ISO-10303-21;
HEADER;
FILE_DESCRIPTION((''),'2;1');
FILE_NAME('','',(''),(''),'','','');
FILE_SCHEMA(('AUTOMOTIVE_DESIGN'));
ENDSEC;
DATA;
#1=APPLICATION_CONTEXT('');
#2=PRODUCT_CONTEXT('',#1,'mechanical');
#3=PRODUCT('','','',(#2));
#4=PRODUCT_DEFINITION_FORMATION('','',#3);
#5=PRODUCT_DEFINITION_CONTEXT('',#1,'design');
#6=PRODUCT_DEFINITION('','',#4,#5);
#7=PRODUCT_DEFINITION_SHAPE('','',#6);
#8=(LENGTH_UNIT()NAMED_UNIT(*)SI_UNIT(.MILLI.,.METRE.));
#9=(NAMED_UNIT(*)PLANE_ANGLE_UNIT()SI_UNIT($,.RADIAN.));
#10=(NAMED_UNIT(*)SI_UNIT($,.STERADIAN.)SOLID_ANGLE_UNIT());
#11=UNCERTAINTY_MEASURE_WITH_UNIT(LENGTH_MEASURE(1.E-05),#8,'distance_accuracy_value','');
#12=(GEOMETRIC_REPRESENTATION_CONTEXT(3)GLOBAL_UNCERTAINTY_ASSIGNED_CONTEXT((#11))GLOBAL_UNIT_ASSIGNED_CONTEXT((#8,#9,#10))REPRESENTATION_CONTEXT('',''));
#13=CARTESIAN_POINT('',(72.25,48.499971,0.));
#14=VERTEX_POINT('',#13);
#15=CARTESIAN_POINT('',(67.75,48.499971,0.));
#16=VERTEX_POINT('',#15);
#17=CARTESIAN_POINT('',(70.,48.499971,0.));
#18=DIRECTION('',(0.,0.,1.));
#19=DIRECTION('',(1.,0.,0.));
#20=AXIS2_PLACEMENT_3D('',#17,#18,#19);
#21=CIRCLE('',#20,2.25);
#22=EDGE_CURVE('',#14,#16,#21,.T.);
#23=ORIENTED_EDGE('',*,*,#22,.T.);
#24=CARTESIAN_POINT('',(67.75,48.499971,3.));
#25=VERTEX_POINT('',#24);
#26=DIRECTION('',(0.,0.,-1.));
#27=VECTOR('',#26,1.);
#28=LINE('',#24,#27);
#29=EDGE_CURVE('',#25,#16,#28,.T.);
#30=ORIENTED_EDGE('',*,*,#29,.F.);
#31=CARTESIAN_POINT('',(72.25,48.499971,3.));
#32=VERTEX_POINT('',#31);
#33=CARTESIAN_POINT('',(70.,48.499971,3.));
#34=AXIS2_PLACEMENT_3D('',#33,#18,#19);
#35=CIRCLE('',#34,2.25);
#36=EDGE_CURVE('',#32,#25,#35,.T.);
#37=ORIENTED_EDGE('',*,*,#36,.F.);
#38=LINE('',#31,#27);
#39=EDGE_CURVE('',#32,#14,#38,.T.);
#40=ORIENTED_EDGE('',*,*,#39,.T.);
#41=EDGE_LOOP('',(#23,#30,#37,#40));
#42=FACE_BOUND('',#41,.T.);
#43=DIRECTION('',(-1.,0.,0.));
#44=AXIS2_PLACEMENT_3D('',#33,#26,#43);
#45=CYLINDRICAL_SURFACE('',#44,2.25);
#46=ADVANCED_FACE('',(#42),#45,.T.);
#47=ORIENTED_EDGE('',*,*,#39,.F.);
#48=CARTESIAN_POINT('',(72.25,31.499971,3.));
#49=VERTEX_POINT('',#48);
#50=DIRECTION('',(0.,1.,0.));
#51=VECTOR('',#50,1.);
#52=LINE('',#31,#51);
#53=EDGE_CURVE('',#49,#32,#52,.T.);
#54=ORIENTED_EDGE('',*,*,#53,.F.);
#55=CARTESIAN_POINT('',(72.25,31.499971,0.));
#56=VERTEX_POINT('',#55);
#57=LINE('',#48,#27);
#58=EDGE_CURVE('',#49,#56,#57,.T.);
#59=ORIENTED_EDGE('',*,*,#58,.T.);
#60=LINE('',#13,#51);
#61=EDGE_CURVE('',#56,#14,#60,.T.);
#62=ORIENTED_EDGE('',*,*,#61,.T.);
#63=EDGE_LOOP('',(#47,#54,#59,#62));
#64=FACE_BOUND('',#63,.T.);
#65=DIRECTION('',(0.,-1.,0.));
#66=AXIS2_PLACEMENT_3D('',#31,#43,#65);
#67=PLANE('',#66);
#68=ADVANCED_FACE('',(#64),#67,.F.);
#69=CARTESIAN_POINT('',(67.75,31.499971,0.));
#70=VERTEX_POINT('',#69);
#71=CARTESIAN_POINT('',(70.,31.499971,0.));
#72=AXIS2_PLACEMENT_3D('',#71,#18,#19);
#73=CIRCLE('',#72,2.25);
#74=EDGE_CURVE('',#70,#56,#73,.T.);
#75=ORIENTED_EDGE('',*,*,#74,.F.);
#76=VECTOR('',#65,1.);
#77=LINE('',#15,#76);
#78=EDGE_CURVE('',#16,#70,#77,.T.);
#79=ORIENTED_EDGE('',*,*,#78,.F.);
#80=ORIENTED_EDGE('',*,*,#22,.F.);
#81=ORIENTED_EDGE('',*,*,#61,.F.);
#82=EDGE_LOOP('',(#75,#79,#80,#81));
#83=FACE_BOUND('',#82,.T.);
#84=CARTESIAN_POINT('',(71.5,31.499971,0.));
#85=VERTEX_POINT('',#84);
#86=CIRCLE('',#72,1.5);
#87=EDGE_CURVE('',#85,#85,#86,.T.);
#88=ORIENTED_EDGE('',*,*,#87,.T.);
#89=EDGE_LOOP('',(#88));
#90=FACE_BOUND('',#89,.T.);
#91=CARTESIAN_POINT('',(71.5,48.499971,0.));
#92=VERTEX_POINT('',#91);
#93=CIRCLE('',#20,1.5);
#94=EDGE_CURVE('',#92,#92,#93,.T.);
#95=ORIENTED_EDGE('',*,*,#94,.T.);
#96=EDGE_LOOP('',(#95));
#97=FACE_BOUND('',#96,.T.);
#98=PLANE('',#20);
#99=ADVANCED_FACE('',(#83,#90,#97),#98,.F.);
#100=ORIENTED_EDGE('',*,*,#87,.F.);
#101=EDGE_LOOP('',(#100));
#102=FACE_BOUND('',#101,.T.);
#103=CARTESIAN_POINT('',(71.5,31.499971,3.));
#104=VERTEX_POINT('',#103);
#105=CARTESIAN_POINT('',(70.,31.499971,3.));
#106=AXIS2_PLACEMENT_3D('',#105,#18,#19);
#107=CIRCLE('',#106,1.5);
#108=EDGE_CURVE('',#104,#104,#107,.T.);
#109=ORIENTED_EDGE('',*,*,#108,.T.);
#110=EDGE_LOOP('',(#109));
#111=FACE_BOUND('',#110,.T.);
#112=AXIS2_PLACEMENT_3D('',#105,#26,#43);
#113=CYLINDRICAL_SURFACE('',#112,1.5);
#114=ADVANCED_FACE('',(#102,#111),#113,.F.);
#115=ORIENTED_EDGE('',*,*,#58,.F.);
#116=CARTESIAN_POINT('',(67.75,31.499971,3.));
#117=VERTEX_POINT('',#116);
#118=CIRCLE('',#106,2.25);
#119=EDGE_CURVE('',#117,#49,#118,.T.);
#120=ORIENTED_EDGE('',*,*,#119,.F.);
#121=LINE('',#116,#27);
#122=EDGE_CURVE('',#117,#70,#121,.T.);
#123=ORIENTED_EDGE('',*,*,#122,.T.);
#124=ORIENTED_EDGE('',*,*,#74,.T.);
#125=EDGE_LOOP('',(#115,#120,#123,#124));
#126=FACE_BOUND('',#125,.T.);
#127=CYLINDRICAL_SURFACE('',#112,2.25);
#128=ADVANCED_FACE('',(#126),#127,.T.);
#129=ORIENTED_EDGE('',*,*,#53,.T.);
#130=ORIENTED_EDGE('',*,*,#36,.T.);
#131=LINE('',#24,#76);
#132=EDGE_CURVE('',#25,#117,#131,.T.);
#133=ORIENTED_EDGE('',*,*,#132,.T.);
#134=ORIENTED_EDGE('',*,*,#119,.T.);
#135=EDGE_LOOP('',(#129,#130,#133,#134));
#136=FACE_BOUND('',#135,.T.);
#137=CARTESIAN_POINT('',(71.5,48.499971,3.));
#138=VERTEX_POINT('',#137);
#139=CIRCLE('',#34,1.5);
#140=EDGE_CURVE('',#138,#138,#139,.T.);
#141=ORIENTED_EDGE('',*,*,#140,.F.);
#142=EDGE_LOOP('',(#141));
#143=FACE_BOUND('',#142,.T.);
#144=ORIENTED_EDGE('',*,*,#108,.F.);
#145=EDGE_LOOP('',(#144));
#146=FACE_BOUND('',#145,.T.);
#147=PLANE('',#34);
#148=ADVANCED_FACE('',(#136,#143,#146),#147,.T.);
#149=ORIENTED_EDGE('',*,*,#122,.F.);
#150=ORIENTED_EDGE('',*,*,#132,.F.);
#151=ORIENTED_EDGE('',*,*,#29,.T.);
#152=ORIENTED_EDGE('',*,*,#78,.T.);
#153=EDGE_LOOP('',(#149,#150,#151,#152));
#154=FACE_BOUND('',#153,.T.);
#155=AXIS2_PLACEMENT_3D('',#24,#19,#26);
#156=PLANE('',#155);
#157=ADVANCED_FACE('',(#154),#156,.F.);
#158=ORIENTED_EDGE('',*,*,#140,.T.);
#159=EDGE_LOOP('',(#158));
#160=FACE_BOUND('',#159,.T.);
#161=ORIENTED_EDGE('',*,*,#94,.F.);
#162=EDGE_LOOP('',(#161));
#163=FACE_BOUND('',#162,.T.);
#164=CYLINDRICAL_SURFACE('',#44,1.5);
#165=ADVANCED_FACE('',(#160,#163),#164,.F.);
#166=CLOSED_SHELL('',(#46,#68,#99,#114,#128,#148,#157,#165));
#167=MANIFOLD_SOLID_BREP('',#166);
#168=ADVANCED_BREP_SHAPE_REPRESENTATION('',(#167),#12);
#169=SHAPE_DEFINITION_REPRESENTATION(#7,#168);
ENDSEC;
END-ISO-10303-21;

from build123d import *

# Parameters (mm, degrees)
MODEL_R             = 1.500000002
BOSS_EXTRUDE1_DEPTH = 3


with BuildPart() as part:
    # Model → Boss-Extrude1 (new body)
    with BuildSketch(Plane.XY):
        with BuildLine():
            Line((67.75, 48.499971421), (67.75, 31.499971421))
            ThreePointArc((67.75, 31.499971421), (69.999999998, 29.249971421), (72.25, 31.499971421))
            Line((72.25, 31.499971421), (72.25, 48.499971421))
            ThreePointArc((72.25, 48.499971421), (69.999999998, 50.749971421), (67.75, 48.499971421))
        make_face()
        with Locations((69.999999998, 48.499971419)):
            Circle(MODEL_R, mode=Mode.SUBTRACT)
        with Locations((69.999999998, 31.499971419)):
            Circle(MODEL_R, mode=Mode.SUBTRACT)
    extrude(amount=BOSS_EXTRUDE1_DEPTH)


solid = part.part
